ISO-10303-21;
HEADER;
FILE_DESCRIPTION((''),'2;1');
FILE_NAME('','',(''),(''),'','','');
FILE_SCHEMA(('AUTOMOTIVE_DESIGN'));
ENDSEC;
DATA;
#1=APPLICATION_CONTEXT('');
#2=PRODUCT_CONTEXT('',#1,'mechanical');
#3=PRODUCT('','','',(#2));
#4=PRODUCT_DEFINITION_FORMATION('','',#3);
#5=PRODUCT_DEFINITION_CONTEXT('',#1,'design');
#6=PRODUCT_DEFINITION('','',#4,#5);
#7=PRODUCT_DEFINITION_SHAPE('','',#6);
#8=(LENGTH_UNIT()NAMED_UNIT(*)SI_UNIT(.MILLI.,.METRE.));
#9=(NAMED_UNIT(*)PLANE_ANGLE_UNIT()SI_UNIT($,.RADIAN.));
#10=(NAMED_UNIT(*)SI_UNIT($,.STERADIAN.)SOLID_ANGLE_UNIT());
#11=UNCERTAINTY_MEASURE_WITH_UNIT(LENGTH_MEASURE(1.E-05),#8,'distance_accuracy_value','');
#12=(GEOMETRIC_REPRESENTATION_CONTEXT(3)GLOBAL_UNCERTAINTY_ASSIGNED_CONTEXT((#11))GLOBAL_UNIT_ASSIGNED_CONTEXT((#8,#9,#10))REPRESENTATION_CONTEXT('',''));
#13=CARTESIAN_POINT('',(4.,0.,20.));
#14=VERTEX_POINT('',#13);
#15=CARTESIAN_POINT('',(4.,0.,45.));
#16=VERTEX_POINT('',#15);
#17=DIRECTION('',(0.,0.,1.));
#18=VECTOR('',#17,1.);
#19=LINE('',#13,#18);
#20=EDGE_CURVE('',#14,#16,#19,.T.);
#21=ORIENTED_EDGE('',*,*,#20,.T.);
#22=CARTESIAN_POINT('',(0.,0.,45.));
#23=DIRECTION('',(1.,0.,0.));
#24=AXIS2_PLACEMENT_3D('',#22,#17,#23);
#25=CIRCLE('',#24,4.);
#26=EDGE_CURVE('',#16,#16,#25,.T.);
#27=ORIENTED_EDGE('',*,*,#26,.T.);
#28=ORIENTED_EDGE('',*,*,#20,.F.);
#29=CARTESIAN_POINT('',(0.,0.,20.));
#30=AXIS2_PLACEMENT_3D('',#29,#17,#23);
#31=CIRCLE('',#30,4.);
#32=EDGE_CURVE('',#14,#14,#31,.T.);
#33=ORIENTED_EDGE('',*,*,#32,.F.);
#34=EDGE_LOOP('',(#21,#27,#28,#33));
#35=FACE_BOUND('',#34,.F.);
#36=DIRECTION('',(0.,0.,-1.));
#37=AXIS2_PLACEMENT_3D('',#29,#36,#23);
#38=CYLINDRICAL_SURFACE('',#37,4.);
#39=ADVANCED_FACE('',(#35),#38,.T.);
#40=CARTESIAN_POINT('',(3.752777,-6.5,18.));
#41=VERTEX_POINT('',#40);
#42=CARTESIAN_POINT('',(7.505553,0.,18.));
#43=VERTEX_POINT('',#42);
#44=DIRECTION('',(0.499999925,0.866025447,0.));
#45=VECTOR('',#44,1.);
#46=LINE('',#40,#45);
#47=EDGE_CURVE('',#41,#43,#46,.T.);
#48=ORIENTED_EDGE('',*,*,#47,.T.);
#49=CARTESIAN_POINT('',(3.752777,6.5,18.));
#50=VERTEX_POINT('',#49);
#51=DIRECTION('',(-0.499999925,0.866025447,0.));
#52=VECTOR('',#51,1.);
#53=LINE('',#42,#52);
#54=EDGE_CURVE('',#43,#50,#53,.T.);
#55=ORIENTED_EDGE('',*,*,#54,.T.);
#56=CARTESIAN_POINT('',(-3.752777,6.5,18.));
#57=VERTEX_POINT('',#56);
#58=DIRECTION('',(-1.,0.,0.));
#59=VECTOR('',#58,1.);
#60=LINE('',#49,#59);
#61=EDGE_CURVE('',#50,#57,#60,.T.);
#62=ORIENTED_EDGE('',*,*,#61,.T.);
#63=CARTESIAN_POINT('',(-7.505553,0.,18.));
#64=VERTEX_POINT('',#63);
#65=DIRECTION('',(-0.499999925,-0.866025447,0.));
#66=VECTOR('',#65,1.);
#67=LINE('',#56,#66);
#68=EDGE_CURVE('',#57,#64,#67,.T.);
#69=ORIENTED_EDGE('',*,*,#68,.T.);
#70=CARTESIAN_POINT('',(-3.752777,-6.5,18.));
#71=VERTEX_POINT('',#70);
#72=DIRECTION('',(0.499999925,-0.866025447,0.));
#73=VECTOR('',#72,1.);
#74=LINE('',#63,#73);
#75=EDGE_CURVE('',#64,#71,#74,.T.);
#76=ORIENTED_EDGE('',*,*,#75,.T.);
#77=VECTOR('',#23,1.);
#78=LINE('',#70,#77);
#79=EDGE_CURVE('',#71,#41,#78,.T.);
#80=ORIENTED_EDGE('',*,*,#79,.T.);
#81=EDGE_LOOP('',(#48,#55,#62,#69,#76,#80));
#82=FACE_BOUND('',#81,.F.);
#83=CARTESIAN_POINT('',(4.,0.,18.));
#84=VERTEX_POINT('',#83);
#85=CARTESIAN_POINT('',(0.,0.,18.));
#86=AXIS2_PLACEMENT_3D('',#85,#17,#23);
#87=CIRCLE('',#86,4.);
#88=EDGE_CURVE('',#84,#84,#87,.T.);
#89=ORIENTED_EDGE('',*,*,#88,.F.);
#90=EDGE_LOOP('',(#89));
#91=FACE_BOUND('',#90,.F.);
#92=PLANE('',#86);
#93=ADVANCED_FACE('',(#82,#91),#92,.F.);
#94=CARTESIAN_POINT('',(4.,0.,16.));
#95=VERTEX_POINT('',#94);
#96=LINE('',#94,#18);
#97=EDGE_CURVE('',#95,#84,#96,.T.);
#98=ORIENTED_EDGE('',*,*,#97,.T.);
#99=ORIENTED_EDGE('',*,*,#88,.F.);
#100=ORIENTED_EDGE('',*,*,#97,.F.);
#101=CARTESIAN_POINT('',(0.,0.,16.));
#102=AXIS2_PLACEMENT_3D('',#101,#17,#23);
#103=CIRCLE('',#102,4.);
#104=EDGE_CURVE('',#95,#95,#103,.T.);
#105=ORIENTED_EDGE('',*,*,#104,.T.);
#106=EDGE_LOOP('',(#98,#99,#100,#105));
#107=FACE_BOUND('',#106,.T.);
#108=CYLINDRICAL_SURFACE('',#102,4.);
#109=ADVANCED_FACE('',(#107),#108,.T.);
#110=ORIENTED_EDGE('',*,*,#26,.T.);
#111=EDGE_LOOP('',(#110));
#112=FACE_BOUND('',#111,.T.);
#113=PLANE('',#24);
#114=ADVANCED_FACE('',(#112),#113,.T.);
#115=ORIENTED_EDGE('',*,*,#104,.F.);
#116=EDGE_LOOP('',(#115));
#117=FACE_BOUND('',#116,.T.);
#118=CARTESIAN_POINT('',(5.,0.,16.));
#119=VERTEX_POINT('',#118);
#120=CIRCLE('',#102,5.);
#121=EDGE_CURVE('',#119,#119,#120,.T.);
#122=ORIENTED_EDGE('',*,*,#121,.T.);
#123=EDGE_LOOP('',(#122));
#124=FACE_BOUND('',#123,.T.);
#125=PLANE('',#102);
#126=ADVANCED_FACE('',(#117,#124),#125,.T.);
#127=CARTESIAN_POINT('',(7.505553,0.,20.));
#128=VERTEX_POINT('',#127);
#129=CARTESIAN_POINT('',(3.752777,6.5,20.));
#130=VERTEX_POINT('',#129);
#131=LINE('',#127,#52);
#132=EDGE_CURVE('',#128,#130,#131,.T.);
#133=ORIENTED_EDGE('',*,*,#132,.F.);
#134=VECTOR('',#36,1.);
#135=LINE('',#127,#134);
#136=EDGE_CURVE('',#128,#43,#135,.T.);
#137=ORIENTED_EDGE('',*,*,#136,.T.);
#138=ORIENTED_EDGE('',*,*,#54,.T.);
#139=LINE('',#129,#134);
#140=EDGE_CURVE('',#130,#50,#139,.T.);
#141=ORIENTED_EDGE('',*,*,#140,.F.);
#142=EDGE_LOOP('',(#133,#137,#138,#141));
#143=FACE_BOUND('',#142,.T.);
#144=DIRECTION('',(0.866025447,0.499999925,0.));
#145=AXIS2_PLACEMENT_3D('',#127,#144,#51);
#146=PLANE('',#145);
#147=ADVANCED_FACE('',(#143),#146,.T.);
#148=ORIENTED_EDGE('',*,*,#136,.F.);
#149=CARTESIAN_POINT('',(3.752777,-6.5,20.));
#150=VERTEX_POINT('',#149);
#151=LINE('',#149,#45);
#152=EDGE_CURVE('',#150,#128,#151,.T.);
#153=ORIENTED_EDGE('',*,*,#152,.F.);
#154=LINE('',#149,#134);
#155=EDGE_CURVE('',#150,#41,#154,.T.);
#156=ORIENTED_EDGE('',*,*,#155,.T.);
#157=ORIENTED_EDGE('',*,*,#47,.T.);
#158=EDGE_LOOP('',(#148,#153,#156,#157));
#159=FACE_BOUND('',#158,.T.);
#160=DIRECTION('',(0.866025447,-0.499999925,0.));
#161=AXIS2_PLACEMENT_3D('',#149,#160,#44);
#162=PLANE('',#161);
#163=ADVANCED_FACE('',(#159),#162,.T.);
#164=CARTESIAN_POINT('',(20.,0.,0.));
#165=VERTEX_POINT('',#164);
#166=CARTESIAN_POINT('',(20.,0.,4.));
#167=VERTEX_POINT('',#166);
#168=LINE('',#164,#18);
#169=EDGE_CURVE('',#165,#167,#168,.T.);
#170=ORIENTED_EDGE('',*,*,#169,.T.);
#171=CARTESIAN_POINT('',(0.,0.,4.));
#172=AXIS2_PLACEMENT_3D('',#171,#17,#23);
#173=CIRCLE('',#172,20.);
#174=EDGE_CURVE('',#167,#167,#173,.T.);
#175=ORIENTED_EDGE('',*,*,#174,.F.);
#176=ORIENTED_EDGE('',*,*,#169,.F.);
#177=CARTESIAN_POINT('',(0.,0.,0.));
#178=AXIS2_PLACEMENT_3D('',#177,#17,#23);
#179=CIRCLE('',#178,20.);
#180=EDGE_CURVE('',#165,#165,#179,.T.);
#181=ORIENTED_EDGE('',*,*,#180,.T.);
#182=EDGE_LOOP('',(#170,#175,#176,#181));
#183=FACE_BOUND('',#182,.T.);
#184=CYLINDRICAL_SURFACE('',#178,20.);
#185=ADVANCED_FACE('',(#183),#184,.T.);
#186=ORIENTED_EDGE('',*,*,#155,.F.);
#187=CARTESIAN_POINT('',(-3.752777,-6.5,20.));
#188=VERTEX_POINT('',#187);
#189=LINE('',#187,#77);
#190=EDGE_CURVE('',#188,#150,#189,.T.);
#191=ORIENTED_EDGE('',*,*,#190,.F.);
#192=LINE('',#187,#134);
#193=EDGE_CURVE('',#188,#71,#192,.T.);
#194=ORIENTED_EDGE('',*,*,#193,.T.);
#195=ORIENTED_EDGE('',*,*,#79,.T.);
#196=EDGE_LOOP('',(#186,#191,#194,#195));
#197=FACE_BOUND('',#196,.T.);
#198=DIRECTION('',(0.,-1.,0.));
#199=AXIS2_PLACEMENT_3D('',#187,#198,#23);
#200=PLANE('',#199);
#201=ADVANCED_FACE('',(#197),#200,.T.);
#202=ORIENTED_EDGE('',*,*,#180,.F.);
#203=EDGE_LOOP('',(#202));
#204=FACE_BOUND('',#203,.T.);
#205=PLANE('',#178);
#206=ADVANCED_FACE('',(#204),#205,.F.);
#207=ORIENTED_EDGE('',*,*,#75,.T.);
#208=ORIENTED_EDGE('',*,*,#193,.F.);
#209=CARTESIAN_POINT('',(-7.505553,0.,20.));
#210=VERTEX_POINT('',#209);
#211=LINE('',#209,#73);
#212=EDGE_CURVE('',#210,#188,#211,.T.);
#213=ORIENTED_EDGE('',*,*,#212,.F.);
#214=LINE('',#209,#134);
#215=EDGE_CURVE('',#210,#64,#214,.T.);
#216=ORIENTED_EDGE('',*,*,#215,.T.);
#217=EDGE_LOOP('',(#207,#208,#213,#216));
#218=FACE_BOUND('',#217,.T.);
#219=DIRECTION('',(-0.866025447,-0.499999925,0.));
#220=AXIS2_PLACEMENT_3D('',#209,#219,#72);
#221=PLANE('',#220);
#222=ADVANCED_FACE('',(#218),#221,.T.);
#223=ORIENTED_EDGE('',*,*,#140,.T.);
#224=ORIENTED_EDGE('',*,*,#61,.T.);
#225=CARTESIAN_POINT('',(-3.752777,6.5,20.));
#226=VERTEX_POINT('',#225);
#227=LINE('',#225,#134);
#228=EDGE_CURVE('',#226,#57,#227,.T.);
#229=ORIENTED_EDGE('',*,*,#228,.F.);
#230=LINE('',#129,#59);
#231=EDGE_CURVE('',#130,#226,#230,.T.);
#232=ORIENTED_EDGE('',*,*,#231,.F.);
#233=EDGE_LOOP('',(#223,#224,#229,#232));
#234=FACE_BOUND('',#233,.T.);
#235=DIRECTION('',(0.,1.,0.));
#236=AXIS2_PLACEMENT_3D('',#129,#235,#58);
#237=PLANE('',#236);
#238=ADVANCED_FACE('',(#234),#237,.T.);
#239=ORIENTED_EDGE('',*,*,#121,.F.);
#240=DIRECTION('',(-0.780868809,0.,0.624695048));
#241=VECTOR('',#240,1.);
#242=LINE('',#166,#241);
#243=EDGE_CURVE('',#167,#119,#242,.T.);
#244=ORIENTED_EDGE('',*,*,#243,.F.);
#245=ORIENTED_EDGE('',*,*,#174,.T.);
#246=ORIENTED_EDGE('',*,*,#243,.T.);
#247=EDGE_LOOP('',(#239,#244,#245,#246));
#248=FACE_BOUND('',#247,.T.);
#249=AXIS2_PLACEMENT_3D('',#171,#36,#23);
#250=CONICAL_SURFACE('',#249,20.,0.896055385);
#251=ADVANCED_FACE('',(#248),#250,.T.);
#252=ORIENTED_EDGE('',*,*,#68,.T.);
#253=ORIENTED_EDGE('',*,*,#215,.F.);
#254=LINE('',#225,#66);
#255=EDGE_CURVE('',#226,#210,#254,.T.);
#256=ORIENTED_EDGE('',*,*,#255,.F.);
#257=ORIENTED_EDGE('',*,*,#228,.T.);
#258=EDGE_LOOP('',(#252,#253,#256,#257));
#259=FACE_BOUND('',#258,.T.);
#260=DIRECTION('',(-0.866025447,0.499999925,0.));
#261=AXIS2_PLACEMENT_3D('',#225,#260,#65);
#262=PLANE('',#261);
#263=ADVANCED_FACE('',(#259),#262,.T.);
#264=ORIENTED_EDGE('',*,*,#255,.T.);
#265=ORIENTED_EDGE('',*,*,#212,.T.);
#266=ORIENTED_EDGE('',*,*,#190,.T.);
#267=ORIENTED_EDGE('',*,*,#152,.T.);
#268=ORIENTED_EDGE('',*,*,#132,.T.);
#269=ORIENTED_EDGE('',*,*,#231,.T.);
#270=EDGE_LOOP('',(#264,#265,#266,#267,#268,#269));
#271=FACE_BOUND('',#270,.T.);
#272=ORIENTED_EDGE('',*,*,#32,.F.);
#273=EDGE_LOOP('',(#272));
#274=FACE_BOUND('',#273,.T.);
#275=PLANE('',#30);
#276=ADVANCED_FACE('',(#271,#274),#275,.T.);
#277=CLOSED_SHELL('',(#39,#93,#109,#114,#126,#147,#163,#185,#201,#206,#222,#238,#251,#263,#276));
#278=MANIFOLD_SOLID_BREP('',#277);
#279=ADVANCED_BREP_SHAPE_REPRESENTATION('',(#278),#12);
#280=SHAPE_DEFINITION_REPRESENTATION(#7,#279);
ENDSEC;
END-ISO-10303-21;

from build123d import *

# Parameters (mm, degrees)
PAD_DEPTH    = 2
SKETCH003_R  = 4
PAD001_DEPTH = 25


with BuildPart() as part:
    # Sketch → Revolution (revolve)
    with BuildSketch(Plane.XZ):
        Polygon((0, 0), (20, 0), (20, 4), (5, 16), (4, 16), (4, 18), (0, 18), align=None)
    revolve(axis=Axis((0, 0, 0), (0, 0, 1)))

    # Sketch002 (on DatumPlane) → Pad (new body)
    with BuildSketch(Plane.XY.offset(20)):
        Polygon((-3.752777, 6.5), (-7.505553, 0), (-3.752777, -6.5), (3.752777, -6.5), (7.505553, 0), (3.752777, 6.5), align=None)
    extrude(amount=-PAD_DEPTH)

    # Sketch003 (on DatumPlane) → Pad001 (join)
    with BuildSketch(Plane.XY.offset(20)):
        Circle(SKETCH003_R)
    extrude(amount=PAD001_DEPTH)


solid = part.part
